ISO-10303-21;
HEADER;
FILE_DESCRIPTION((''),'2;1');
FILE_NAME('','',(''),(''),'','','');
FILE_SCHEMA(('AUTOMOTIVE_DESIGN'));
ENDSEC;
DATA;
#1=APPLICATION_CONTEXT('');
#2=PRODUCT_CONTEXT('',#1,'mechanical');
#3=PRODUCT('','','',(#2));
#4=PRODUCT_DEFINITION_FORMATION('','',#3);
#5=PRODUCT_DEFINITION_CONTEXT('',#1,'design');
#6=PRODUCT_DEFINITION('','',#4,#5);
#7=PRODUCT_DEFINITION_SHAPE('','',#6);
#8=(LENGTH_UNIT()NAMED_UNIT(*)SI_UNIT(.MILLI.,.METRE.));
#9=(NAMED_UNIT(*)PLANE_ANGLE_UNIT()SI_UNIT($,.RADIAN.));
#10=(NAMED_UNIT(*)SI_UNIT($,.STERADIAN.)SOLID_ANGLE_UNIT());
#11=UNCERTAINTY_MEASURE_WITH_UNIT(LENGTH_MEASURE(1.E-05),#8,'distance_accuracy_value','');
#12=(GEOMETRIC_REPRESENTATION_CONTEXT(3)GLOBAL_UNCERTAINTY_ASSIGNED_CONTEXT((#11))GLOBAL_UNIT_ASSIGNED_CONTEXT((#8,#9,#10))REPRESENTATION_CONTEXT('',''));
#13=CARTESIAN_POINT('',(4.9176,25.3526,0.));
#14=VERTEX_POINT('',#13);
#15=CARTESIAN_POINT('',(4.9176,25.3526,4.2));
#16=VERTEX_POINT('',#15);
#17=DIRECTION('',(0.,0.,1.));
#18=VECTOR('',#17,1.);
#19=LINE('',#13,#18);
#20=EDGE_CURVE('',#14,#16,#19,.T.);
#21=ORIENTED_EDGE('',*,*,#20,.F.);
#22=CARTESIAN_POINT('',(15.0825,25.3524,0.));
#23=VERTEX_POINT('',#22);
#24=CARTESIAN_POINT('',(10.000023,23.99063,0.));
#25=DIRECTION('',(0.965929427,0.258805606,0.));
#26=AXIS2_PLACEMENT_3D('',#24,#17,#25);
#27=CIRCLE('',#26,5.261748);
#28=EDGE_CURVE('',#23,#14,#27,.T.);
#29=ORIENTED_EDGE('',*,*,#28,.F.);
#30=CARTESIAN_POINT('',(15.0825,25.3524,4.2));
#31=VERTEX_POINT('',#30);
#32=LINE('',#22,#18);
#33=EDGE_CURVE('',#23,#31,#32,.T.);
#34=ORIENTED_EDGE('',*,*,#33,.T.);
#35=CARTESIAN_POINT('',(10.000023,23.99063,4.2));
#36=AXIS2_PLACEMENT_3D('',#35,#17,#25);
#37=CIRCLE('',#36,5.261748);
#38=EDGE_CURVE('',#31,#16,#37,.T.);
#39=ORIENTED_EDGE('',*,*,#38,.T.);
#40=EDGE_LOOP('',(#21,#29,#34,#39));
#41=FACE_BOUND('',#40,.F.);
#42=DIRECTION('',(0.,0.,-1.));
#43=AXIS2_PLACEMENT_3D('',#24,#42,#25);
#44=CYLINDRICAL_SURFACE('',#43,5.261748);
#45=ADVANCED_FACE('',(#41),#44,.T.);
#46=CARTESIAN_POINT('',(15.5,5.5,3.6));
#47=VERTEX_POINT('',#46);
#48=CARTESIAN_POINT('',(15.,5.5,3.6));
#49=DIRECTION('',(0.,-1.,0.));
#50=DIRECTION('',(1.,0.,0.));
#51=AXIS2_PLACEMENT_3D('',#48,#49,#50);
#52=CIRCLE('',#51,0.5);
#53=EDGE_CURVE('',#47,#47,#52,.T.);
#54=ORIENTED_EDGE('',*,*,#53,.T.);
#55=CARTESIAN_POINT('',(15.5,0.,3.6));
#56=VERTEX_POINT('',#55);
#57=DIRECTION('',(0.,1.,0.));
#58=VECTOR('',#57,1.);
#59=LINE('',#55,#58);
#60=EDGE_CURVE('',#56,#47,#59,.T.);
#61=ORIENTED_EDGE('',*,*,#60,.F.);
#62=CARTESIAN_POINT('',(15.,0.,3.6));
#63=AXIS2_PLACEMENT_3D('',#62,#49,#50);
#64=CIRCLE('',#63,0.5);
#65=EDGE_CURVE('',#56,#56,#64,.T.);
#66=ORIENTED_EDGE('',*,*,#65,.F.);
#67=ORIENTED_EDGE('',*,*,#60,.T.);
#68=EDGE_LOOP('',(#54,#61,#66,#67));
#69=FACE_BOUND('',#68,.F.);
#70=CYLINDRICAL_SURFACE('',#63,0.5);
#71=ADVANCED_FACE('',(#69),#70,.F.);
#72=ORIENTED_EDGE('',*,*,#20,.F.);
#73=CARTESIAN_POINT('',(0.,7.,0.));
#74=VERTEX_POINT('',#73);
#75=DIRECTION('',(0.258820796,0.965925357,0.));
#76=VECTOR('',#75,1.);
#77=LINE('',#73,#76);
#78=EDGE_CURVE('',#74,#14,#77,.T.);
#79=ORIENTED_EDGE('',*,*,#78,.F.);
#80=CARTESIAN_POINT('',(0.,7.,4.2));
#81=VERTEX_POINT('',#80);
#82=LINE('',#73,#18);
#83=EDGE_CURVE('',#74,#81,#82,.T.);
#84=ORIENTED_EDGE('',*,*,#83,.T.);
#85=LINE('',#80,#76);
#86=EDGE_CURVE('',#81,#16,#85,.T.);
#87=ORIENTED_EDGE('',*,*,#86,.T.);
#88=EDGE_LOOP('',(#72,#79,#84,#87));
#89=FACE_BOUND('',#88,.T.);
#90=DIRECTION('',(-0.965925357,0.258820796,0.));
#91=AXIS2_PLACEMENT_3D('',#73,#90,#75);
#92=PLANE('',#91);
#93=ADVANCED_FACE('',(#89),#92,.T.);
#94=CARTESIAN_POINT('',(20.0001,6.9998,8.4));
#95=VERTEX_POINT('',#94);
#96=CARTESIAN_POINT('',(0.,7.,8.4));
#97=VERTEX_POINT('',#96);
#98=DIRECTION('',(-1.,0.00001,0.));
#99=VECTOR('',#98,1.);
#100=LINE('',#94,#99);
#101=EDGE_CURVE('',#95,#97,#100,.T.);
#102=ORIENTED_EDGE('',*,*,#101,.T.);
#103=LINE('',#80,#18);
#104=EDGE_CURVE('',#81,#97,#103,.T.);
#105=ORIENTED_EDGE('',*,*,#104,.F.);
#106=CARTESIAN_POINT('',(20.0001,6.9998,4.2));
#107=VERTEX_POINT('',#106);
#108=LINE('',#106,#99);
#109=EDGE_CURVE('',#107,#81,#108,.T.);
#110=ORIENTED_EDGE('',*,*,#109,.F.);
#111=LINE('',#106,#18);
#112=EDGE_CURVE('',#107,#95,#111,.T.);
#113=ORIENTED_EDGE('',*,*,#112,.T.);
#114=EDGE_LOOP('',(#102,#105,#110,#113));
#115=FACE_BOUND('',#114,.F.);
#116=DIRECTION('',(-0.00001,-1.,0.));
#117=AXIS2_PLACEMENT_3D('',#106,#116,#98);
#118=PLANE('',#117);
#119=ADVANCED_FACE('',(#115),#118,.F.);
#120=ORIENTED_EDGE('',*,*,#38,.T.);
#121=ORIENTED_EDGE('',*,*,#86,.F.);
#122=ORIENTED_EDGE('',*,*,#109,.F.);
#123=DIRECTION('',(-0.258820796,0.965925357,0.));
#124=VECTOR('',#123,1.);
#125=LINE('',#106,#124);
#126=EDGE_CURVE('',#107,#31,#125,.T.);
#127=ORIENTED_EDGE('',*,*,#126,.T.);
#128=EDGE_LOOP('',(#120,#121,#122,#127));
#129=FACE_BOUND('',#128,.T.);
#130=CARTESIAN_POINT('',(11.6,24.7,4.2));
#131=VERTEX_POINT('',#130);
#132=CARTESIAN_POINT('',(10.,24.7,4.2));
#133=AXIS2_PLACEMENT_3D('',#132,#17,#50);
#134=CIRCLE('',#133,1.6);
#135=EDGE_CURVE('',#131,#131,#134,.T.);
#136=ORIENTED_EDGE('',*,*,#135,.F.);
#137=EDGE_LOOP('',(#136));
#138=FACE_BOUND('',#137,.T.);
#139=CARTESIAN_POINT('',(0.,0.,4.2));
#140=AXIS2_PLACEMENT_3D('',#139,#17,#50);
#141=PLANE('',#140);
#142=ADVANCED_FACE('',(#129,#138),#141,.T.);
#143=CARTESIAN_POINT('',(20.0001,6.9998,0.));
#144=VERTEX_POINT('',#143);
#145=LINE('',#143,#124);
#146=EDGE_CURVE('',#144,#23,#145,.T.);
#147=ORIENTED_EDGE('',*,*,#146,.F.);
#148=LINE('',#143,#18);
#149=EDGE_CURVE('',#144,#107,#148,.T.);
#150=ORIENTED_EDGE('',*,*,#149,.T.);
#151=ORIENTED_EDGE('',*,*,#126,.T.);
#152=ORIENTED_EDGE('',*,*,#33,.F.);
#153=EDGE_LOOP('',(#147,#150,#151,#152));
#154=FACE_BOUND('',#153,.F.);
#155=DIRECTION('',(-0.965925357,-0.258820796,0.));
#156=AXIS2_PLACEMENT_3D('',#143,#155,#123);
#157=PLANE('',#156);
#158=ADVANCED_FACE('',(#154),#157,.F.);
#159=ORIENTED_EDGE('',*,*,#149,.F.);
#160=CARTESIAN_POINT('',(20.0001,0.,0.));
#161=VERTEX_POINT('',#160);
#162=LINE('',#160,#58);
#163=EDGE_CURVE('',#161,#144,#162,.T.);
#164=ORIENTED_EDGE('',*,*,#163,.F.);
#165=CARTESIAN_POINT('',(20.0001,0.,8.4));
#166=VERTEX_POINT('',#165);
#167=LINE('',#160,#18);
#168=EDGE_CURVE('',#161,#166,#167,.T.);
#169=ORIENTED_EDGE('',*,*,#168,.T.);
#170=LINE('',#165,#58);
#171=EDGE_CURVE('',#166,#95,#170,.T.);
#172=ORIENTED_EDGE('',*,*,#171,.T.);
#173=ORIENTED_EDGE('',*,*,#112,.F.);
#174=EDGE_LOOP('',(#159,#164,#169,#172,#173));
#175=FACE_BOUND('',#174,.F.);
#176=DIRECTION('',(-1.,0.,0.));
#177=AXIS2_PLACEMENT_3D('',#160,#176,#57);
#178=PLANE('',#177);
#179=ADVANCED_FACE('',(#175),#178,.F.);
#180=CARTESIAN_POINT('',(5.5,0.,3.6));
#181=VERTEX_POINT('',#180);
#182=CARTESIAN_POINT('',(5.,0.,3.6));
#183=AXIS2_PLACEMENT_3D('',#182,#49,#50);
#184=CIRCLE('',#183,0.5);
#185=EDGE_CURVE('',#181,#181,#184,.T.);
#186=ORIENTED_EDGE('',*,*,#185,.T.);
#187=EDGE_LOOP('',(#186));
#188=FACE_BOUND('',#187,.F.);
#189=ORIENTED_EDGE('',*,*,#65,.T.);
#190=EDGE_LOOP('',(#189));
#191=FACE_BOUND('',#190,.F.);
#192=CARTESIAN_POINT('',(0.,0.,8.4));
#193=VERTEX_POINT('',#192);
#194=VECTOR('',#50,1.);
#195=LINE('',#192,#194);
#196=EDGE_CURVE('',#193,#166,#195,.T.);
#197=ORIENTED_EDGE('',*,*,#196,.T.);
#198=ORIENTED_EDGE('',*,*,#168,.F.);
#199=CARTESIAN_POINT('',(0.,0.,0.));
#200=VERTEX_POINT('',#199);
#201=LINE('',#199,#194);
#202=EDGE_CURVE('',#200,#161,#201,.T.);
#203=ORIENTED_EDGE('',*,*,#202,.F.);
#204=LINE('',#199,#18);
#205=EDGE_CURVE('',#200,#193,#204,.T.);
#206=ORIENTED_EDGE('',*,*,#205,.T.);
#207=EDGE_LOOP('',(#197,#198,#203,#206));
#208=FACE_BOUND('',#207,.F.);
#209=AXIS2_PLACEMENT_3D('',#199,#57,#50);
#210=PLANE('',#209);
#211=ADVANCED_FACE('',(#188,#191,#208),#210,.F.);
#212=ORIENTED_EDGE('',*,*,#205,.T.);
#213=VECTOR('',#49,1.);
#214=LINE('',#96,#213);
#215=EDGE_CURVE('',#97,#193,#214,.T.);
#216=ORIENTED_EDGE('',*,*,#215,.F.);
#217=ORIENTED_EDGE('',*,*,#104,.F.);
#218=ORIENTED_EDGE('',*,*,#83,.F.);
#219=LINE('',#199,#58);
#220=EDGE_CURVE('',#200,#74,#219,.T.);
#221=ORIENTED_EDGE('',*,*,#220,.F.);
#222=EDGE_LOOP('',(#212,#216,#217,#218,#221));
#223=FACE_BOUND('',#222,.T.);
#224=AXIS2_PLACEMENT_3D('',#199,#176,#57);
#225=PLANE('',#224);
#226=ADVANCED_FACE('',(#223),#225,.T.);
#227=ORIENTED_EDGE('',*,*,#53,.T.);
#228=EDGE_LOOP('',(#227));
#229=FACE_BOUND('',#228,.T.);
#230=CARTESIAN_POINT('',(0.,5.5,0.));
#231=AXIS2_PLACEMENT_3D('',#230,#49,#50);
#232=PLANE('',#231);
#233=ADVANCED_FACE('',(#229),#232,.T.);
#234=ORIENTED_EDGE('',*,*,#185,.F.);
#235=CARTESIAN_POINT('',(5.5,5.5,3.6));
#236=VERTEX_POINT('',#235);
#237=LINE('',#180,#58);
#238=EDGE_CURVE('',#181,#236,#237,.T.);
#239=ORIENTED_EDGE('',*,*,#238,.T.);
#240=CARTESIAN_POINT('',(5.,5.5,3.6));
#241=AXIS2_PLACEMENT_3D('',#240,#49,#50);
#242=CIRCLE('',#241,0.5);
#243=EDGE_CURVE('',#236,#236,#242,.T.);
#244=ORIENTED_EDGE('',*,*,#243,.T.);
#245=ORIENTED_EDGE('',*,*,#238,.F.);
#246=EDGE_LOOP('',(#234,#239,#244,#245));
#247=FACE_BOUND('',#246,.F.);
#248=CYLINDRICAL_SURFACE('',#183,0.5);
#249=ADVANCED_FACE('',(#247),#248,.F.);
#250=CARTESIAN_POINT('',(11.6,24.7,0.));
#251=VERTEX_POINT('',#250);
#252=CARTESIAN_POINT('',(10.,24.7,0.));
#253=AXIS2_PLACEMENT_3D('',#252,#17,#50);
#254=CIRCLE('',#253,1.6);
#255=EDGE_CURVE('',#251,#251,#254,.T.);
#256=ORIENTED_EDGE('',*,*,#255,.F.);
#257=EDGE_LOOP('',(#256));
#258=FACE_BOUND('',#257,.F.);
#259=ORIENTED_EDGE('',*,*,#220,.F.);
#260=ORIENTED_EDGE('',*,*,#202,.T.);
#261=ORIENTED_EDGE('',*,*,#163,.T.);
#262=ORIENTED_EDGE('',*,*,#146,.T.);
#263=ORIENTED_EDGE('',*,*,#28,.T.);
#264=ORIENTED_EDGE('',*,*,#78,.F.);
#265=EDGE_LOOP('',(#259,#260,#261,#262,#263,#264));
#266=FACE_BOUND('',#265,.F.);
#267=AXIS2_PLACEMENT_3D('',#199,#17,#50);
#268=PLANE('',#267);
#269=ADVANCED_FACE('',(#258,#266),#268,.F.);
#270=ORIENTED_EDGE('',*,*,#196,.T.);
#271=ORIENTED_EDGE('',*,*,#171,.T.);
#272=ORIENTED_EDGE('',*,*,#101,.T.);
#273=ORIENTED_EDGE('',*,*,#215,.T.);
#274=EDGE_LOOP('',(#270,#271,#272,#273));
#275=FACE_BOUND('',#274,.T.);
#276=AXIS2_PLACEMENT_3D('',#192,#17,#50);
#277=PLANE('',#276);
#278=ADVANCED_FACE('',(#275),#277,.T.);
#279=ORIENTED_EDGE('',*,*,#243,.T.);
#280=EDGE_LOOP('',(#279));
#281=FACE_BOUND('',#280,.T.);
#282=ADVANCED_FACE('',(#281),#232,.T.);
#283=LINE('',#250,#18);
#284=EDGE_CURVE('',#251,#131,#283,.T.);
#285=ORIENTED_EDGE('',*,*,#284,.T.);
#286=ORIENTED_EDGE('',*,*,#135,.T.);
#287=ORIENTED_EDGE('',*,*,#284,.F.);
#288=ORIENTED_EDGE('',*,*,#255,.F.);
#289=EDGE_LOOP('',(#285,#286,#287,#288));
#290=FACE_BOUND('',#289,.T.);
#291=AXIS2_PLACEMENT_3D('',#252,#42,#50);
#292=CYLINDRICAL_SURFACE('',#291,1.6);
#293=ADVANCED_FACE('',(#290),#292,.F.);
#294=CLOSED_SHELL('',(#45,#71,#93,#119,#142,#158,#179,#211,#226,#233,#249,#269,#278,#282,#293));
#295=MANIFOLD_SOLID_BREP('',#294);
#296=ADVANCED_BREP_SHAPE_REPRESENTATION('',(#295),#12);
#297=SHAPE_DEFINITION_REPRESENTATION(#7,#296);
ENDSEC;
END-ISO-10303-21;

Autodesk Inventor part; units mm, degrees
ref_plane "YZ Plane" through (0, 0, 0) normal (1, 0, 0) x (0, 1, 0)
ref_plane "XZ Plane" through (0, 0, 0) normal (0, 1, 0) x (-1, 0, 0)
ref_plane "XY Plane" through (0, 0, 0) normal (0, 0, 1) x (1, 0, 0)
sketch "Sketch1" plane through (0, 0, 0) normal (0, 0, 1) x (1, 0, 0)
  circle A0 centre (10, 24.7) radius 1.6
  line L0 (0, 0) -> (20.0001, 0)
  line L1 (0, 0) -> (0, 7)
  line L2 (20.0001, 0) -> (20.0001, 6.9998)
  line L3 (0, 7) -> (4.9176, 25.3526)
  line L4 (0, 7) -> (19, 7) construction
  line L5 (20.0001, 6.9998) -> (15.0825, 25.3524)
  line L6 (20.0001, 6.9998) -> (39.0001, 6.9998) construction
  arc A1 (15.0825, 25.3524) -> (4.9176, 25.3526) centre (10, 23.9906) ccw
  dimension "d17" = 7
  dimension "d18" = 6.9998
  dimension "d19" = 24.7
  dimension "d23" = 90
  dimension "d24" = 90
  dimension "d25" = 10
  dimension "d26" = 19
  dimension "d27" = 75
  dimension "d28" = 19
  dimension "d29" = 105
  dimension "d30" = 10
sketch "Sketch3" plane through (0, 0, 0) normal (0, 0, 1) x (1, 0, 0)
  point P0 (0, 0)
extrude "Extrusion1" add sketch "Sketch1" along normal blind 4.2
sketch "Sketch4" plane through (0, 0, 4.2) normal (0, 0, 1) x (1, 0, 0)
  line L0 (0, 7) -> (0, 0) projected
  line L1 (20.0001, 0) -> (20.0001, 6.9998) projected
  line L2 (0, 0) -> (20.0001, 0)
  line L3 (20.0001, 0) -> (20.0001, 6.9998)
  line L4 (3.884, 22.9404) -> (-0.0481, 7.0119) projected
  line L5 (20.0001, 6.9998) -> (0, 6.9998)
  line L6 (0, 7) -> (0, 0)
extrude "Extrusion2" add sketch "Sketch4" along normal blind 4.2
sketch "Sketch5" plane through (0, 0, 0) normal (0, -1, 0) x (1, 0, 0)
  circle A0 centre (5, 3.6) radius 0.5
  circle A1 centre (15, 3.6) radius 0.5
  line L0 (0, 0) -> (20.0001, 0) projected
  line L1 (0, 8.4) -> (20.0001, 8.4) projected
  dimension "d13" = 1
  dimension "d14" = 1
  dimension "d33" = 4.8
  dimension "d34" = 4.8
extrude "Extrusion3" cut sketch "Sketch5" against normal blind 5.5
properties part number "upper_deck_shaft_mount_printing"
